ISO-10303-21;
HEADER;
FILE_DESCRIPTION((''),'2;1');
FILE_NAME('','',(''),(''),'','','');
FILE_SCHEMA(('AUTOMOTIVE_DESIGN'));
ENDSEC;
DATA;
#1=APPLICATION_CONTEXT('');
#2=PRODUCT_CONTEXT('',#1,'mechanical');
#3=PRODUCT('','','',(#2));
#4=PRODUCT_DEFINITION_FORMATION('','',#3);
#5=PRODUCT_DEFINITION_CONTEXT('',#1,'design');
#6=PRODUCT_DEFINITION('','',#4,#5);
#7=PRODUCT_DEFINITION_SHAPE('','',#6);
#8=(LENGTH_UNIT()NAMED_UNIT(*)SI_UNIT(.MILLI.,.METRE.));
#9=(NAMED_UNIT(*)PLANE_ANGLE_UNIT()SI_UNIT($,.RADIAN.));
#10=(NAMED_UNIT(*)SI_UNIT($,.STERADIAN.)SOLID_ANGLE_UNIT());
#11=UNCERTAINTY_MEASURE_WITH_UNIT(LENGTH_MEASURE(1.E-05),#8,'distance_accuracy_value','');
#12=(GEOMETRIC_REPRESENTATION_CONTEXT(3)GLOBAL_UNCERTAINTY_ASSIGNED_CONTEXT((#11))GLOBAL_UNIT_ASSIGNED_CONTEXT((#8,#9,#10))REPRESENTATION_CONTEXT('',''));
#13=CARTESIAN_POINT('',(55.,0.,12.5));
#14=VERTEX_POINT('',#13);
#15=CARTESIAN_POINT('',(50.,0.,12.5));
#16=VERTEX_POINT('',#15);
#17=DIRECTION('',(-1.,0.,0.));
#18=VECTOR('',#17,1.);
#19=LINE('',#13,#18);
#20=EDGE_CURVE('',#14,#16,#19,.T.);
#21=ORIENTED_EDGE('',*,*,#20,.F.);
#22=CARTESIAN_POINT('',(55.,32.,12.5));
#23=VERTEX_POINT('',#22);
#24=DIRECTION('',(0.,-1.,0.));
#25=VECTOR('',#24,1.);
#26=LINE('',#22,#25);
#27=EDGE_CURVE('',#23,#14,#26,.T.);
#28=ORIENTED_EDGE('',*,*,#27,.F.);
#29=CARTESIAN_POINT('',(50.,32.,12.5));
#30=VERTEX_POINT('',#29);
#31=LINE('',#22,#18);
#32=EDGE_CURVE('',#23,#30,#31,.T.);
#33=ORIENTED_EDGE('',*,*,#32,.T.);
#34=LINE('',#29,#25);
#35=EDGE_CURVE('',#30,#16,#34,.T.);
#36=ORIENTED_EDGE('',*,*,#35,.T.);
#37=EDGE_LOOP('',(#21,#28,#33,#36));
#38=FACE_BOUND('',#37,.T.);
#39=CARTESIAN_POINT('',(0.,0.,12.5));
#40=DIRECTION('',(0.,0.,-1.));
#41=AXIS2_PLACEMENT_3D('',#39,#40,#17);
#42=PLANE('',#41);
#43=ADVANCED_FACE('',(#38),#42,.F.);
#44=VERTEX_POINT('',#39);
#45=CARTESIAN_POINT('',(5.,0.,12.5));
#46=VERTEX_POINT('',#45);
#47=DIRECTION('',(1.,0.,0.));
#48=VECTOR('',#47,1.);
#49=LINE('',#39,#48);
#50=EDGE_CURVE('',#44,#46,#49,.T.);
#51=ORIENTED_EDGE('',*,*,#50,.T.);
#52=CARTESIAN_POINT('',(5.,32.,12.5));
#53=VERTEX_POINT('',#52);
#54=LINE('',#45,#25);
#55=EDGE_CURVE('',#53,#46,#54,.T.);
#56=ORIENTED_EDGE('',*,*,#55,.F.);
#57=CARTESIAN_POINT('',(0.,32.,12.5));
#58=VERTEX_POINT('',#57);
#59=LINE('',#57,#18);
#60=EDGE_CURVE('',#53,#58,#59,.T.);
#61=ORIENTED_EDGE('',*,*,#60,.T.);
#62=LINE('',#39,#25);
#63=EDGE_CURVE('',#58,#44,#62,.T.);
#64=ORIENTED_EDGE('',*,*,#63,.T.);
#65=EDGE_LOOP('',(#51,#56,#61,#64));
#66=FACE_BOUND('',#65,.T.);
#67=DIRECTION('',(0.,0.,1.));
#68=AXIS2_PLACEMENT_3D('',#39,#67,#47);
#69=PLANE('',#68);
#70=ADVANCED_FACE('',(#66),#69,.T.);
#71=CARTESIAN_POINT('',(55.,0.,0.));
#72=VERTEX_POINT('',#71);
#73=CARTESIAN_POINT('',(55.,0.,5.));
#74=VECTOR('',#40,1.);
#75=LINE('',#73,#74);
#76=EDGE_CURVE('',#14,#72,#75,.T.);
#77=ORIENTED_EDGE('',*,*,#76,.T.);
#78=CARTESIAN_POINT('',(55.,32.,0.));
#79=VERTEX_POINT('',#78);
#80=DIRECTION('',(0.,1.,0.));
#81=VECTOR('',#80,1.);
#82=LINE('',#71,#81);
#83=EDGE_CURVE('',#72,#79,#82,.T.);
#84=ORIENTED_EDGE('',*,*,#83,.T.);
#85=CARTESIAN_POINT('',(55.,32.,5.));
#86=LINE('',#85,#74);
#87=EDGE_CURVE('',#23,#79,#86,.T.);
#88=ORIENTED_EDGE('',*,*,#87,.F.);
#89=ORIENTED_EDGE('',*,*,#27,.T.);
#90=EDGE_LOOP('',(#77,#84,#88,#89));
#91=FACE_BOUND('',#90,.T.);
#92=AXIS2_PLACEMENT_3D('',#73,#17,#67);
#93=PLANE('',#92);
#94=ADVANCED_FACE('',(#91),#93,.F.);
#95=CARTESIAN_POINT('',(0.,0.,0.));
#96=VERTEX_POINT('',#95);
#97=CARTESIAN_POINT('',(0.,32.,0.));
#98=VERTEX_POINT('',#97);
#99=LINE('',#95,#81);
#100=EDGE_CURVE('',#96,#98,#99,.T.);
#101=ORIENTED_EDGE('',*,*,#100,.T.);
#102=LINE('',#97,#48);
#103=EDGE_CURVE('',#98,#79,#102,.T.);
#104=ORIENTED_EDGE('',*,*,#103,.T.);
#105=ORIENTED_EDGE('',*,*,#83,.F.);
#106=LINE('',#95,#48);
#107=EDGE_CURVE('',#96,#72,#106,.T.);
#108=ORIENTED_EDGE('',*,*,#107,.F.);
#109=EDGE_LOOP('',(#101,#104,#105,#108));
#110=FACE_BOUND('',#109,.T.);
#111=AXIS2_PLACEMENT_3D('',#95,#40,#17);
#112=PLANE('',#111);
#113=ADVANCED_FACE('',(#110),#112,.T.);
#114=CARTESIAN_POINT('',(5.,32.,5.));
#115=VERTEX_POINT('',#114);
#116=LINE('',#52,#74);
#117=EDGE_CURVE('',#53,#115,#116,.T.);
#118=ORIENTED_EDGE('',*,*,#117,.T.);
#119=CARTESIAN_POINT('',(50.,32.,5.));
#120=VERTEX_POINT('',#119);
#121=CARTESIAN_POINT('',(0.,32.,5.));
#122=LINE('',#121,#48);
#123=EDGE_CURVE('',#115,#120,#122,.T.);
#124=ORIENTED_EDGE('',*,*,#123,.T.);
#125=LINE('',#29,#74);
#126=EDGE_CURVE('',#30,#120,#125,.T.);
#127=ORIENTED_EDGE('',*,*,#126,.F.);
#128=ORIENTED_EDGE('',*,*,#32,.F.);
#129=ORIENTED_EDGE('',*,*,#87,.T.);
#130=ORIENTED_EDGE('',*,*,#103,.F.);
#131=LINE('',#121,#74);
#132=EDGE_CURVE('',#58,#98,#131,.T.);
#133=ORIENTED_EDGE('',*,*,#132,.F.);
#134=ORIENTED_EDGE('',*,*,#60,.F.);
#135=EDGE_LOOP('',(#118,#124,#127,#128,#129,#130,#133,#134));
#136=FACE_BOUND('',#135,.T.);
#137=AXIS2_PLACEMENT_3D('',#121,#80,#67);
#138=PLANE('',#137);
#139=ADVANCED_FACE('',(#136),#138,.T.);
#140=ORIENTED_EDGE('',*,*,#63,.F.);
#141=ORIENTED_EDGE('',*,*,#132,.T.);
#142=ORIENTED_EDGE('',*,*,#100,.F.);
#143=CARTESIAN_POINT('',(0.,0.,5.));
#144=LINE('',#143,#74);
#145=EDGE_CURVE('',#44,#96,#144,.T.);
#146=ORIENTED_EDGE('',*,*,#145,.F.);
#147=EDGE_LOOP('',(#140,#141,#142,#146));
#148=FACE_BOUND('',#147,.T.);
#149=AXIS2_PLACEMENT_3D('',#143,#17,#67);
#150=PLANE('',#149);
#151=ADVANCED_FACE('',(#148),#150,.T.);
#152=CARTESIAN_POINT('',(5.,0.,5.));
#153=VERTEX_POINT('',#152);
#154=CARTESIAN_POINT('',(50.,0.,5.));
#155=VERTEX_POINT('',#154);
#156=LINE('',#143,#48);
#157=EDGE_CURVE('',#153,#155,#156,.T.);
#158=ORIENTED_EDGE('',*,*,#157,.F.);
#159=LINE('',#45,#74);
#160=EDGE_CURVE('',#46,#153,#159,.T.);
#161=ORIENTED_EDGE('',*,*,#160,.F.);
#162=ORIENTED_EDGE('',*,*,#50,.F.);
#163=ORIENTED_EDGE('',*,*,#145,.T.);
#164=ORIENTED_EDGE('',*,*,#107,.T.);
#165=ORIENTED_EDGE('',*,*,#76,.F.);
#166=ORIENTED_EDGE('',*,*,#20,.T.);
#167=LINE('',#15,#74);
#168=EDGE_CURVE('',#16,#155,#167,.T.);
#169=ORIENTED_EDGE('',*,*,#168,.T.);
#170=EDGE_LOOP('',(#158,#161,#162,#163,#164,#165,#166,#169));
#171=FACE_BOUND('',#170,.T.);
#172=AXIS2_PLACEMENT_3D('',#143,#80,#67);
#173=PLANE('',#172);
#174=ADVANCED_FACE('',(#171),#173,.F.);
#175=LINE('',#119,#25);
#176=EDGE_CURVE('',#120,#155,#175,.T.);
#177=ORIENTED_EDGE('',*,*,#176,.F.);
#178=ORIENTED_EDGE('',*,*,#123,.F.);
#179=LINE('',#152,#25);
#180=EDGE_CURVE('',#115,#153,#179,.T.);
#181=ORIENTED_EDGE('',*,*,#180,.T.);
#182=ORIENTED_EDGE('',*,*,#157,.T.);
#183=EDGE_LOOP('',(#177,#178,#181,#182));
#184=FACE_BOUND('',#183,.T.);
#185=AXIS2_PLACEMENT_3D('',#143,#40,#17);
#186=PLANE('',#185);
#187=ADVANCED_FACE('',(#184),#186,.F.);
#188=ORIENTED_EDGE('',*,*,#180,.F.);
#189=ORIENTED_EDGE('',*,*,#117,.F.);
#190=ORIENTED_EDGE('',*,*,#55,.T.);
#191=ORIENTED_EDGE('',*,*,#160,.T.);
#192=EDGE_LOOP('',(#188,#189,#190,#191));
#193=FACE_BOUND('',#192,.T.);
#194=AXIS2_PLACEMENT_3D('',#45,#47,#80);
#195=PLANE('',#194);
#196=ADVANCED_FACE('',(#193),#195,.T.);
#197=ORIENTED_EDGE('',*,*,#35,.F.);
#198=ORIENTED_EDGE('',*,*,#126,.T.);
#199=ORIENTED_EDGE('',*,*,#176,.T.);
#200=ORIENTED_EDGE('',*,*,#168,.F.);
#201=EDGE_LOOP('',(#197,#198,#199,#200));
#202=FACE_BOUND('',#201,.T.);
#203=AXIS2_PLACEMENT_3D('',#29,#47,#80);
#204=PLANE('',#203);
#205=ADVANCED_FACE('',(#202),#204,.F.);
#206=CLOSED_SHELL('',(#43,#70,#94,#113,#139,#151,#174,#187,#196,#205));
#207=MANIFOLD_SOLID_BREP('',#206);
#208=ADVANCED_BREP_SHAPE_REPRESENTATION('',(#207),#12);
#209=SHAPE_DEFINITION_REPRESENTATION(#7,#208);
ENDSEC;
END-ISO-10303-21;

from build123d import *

# Parameters (mm, degrees)
SKETCH1_W           = 55
SKETCH1_H           = 32
BOSS_EXTRUDE1_DEPTH = 5
SKETCH2_W           = 5
SKETCH2_H           = 32
BOSS_EXTRUDE2_DEPTH = 7.5


with BuildPart() as part:
    # Sketch1 → Boss-Extrude1 (new body)
    with BuildSketch(Plane.XY):
        with Locations((27.5, 16)):
            Rectangle(SKETCH1_W, SKETCH1_H)
    extrude(amount=BOSS_EXTRUDE1_DEPTH)

    # Sketch2 → Boss-Extrude2 (add)
    with BuildSketch(Plane.XY.offset(5)):
        with Locations((2.5, 16)):
            Rectangle(SKETCH2_W, SKETCH2_H)
        with Locations((52.5, 16)):
            Rectangle(SKETCH2_W, SKETCH2_H)
    extrude(amount=BOSS_EXTRUDE2_DEPTH)


solid = part.part
